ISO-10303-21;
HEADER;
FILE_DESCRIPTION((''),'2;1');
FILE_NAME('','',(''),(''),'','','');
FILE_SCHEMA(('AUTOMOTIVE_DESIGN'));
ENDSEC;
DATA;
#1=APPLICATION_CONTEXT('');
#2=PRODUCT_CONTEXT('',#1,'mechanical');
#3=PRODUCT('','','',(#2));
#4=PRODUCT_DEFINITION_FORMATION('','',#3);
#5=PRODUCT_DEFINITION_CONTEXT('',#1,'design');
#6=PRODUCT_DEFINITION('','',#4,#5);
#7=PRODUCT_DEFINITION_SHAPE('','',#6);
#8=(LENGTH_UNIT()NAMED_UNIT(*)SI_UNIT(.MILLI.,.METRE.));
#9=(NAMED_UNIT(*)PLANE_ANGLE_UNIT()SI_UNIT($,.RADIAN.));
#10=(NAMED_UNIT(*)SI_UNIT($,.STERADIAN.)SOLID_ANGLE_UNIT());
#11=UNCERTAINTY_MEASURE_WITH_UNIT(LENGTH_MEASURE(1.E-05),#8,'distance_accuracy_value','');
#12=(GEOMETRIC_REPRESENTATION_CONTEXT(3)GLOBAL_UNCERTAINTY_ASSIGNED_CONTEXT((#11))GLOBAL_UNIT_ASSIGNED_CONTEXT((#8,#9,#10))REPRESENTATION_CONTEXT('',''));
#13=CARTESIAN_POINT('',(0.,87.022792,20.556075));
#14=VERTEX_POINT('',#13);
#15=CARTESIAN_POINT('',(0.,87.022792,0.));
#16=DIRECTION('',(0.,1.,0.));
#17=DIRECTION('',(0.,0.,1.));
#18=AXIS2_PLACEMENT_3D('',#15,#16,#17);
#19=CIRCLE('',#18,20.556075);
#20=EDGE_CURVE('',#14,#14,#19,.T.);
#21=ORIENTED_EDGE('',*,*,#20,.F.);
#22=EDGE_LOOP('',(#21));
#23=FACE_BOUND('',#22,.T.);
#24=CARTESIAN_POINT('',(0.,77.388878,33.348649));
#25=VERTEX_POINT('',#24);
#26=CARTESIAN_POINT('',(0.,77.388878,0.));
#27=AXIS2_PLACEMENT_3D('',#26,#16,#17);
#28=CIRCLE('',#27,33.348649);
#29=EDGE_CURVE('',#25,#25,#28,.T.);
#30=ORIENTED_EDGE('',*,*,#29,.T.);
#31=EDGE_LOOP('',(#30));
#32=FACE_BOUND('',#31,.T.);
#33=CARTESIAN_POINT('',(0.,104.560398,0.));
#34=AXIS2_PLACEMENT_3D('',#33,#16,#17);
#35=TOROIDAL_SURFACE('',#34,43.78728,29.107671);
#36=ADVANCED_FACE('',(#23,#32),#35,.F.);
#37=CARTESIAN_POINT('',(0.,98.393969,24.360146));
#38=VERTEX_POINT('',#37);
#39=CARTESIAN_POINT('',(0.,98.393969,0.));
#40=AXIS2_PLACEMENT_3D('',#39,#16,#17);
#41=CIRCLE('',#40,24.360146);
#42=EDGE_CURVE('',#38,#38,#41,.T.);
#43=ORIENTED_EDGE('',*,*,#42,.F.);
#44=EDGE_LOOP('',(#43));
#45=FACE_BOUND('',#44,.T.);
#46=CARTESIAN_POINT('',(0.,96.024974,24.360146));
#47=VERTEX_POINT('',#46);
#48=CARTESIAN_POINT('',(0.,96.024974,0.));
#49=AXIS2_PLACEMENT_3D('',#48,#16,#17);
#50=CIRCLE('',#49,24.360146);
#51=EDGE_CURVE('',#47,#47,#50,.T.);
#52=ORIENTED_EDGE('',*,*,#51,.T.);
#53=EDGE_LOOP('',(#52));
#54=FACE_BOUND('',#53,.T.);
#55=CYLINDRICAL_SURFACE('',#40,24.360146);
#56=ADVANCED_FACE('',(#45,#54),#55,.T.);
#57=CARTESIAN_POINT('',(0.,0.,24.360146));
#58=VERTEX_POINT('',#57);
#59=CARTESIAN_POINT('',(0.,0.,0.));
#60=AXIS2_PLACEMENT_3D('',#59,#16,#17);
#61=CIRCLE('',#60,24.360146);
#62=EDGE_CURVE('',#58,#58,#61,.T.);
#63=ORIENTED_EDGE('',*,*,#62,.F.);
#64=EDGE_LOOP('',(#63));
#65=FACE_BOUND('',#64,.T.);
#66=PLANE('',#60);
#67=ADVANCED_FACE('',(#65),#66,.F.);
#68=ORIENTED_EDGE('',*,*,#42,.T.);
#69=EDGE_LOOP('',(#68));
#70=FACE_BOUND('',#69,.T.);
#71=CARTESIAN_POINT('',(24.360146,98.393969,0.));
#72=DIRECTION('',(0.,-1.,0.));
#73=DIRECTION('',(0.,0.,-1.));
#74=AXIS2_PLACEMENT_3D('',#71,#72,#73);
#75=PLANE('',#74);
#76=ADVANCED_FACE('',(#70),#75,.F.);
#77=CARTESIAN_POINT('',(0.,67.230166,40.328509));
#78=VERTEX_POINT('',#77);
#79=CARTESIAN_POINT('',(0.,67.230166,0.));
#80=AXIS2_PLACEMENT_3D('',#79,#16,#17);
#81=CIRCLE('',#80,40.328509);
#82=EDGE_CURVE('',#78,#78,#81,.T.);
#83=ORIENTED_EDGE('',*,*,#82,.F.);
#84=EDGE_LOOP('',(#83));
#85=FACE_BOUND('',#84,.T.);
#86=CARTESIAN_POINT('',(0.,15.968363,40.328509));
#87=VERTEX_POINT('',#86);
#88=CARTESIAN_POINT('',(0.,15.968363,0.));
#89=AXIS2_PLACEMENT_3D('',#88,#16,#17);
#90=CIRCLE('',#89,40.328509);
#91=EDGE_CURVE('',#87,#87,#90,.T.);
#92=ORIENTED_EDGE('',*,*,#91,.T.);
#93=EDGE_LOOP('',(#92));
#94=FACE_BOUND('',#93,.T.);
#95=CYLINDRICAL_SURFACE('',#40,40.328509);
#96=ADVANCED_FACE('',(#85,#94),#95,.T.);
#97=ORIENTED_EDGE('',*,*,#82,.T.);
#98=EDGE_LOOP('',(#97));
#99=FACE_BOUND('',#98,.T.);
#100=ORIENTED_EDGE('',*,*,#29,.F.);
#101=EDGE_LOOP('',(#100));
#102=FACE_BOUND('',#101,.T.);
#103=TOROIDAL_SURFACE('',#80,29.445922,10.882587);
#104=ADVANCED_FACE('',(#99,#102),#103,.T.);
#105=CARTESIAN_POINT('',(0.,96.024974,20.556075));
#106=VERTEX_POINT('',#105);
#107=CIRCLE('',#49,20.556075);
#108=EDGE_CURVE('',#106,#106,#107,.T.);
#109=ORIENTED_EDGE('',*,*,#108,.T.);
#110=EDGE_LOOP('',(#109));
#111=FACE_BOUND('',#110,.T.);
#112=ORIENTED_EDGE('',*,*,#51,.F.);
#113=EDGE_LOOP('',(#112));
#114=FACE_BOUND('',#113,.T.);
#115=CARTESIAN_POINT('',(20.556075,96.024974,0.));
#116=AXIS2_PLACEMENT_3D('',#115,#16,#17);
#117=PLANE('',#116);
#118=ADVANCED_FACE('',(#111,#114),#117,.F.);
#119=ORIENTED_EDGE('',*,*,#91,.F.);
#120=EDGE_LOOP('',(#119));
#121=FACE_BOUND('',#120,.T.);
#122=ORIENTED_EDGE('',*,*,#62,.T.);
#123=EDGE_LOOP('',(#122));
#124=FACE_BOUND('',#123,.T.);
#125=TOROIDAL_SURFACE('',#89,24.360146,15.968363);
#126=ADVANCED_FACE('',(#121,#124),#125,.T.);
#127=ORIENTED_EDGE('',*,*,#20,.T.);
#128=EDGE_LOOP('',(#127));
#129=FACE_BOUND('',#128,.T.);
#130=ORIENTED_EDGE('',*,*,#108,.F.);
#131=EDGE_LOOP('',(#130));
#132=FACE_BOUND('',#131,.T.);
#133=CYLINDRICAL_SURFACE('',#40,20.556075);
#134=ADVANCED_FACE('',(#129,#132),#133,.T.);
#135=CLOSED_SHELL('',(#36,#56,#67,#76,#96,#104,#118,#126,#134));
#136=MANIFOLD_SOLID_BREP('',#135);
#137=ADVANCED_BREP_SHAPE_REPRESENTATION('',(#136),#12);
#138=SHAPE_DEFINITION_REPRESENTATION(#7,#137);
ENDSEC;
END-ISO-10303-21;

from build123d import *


with BuildPart() as part:
    # Sketch1 → Revolve1 (revolve)
    with BuildSketch(Plane.XY, mode=Mode.PRIVATE) as revolve1_sk:
        with BuildLine():
            Line((0, 0), (24.360145845, 0))
            ThreePointArc((24.360145845, 0), (35.651483834, 4.677025332), (40.328509165, 15.96836332))
            Line((40.328509165, 15.96836332), (40.328509165, 67.23016629))
            ThreePointArc((40.328509165, 67.23016629), (38.415383352, 73.392914659), (33.348649325, 77.388878138))
            ThreePointArc((33.348649325, 77.388878138), (26.276782154, 81.308753559), (20.55607493, 87.022792188))
            Line((20.55607493, 87.022792188), (20.55607493, 96.024974169))
            Line((20.55607493, 96.024974169), (24.360145845, 96.024974169))
            Line((24.360145845, 96.024974169), (24.360145845, 98.393969428))
            Line((24.360145845, 98.393969428), (0, 98.393969428))
            Line((0, 98.393969428), (0, 0))
        make_face()
    revolve(revolve1_sk.sketch.rotate(Axis((0, 98.393969428, 0), (0, -1, 0)), 90), axis=Axis((0, 98.393969428, 0), (0, -1, 0)))


solid = part.part
